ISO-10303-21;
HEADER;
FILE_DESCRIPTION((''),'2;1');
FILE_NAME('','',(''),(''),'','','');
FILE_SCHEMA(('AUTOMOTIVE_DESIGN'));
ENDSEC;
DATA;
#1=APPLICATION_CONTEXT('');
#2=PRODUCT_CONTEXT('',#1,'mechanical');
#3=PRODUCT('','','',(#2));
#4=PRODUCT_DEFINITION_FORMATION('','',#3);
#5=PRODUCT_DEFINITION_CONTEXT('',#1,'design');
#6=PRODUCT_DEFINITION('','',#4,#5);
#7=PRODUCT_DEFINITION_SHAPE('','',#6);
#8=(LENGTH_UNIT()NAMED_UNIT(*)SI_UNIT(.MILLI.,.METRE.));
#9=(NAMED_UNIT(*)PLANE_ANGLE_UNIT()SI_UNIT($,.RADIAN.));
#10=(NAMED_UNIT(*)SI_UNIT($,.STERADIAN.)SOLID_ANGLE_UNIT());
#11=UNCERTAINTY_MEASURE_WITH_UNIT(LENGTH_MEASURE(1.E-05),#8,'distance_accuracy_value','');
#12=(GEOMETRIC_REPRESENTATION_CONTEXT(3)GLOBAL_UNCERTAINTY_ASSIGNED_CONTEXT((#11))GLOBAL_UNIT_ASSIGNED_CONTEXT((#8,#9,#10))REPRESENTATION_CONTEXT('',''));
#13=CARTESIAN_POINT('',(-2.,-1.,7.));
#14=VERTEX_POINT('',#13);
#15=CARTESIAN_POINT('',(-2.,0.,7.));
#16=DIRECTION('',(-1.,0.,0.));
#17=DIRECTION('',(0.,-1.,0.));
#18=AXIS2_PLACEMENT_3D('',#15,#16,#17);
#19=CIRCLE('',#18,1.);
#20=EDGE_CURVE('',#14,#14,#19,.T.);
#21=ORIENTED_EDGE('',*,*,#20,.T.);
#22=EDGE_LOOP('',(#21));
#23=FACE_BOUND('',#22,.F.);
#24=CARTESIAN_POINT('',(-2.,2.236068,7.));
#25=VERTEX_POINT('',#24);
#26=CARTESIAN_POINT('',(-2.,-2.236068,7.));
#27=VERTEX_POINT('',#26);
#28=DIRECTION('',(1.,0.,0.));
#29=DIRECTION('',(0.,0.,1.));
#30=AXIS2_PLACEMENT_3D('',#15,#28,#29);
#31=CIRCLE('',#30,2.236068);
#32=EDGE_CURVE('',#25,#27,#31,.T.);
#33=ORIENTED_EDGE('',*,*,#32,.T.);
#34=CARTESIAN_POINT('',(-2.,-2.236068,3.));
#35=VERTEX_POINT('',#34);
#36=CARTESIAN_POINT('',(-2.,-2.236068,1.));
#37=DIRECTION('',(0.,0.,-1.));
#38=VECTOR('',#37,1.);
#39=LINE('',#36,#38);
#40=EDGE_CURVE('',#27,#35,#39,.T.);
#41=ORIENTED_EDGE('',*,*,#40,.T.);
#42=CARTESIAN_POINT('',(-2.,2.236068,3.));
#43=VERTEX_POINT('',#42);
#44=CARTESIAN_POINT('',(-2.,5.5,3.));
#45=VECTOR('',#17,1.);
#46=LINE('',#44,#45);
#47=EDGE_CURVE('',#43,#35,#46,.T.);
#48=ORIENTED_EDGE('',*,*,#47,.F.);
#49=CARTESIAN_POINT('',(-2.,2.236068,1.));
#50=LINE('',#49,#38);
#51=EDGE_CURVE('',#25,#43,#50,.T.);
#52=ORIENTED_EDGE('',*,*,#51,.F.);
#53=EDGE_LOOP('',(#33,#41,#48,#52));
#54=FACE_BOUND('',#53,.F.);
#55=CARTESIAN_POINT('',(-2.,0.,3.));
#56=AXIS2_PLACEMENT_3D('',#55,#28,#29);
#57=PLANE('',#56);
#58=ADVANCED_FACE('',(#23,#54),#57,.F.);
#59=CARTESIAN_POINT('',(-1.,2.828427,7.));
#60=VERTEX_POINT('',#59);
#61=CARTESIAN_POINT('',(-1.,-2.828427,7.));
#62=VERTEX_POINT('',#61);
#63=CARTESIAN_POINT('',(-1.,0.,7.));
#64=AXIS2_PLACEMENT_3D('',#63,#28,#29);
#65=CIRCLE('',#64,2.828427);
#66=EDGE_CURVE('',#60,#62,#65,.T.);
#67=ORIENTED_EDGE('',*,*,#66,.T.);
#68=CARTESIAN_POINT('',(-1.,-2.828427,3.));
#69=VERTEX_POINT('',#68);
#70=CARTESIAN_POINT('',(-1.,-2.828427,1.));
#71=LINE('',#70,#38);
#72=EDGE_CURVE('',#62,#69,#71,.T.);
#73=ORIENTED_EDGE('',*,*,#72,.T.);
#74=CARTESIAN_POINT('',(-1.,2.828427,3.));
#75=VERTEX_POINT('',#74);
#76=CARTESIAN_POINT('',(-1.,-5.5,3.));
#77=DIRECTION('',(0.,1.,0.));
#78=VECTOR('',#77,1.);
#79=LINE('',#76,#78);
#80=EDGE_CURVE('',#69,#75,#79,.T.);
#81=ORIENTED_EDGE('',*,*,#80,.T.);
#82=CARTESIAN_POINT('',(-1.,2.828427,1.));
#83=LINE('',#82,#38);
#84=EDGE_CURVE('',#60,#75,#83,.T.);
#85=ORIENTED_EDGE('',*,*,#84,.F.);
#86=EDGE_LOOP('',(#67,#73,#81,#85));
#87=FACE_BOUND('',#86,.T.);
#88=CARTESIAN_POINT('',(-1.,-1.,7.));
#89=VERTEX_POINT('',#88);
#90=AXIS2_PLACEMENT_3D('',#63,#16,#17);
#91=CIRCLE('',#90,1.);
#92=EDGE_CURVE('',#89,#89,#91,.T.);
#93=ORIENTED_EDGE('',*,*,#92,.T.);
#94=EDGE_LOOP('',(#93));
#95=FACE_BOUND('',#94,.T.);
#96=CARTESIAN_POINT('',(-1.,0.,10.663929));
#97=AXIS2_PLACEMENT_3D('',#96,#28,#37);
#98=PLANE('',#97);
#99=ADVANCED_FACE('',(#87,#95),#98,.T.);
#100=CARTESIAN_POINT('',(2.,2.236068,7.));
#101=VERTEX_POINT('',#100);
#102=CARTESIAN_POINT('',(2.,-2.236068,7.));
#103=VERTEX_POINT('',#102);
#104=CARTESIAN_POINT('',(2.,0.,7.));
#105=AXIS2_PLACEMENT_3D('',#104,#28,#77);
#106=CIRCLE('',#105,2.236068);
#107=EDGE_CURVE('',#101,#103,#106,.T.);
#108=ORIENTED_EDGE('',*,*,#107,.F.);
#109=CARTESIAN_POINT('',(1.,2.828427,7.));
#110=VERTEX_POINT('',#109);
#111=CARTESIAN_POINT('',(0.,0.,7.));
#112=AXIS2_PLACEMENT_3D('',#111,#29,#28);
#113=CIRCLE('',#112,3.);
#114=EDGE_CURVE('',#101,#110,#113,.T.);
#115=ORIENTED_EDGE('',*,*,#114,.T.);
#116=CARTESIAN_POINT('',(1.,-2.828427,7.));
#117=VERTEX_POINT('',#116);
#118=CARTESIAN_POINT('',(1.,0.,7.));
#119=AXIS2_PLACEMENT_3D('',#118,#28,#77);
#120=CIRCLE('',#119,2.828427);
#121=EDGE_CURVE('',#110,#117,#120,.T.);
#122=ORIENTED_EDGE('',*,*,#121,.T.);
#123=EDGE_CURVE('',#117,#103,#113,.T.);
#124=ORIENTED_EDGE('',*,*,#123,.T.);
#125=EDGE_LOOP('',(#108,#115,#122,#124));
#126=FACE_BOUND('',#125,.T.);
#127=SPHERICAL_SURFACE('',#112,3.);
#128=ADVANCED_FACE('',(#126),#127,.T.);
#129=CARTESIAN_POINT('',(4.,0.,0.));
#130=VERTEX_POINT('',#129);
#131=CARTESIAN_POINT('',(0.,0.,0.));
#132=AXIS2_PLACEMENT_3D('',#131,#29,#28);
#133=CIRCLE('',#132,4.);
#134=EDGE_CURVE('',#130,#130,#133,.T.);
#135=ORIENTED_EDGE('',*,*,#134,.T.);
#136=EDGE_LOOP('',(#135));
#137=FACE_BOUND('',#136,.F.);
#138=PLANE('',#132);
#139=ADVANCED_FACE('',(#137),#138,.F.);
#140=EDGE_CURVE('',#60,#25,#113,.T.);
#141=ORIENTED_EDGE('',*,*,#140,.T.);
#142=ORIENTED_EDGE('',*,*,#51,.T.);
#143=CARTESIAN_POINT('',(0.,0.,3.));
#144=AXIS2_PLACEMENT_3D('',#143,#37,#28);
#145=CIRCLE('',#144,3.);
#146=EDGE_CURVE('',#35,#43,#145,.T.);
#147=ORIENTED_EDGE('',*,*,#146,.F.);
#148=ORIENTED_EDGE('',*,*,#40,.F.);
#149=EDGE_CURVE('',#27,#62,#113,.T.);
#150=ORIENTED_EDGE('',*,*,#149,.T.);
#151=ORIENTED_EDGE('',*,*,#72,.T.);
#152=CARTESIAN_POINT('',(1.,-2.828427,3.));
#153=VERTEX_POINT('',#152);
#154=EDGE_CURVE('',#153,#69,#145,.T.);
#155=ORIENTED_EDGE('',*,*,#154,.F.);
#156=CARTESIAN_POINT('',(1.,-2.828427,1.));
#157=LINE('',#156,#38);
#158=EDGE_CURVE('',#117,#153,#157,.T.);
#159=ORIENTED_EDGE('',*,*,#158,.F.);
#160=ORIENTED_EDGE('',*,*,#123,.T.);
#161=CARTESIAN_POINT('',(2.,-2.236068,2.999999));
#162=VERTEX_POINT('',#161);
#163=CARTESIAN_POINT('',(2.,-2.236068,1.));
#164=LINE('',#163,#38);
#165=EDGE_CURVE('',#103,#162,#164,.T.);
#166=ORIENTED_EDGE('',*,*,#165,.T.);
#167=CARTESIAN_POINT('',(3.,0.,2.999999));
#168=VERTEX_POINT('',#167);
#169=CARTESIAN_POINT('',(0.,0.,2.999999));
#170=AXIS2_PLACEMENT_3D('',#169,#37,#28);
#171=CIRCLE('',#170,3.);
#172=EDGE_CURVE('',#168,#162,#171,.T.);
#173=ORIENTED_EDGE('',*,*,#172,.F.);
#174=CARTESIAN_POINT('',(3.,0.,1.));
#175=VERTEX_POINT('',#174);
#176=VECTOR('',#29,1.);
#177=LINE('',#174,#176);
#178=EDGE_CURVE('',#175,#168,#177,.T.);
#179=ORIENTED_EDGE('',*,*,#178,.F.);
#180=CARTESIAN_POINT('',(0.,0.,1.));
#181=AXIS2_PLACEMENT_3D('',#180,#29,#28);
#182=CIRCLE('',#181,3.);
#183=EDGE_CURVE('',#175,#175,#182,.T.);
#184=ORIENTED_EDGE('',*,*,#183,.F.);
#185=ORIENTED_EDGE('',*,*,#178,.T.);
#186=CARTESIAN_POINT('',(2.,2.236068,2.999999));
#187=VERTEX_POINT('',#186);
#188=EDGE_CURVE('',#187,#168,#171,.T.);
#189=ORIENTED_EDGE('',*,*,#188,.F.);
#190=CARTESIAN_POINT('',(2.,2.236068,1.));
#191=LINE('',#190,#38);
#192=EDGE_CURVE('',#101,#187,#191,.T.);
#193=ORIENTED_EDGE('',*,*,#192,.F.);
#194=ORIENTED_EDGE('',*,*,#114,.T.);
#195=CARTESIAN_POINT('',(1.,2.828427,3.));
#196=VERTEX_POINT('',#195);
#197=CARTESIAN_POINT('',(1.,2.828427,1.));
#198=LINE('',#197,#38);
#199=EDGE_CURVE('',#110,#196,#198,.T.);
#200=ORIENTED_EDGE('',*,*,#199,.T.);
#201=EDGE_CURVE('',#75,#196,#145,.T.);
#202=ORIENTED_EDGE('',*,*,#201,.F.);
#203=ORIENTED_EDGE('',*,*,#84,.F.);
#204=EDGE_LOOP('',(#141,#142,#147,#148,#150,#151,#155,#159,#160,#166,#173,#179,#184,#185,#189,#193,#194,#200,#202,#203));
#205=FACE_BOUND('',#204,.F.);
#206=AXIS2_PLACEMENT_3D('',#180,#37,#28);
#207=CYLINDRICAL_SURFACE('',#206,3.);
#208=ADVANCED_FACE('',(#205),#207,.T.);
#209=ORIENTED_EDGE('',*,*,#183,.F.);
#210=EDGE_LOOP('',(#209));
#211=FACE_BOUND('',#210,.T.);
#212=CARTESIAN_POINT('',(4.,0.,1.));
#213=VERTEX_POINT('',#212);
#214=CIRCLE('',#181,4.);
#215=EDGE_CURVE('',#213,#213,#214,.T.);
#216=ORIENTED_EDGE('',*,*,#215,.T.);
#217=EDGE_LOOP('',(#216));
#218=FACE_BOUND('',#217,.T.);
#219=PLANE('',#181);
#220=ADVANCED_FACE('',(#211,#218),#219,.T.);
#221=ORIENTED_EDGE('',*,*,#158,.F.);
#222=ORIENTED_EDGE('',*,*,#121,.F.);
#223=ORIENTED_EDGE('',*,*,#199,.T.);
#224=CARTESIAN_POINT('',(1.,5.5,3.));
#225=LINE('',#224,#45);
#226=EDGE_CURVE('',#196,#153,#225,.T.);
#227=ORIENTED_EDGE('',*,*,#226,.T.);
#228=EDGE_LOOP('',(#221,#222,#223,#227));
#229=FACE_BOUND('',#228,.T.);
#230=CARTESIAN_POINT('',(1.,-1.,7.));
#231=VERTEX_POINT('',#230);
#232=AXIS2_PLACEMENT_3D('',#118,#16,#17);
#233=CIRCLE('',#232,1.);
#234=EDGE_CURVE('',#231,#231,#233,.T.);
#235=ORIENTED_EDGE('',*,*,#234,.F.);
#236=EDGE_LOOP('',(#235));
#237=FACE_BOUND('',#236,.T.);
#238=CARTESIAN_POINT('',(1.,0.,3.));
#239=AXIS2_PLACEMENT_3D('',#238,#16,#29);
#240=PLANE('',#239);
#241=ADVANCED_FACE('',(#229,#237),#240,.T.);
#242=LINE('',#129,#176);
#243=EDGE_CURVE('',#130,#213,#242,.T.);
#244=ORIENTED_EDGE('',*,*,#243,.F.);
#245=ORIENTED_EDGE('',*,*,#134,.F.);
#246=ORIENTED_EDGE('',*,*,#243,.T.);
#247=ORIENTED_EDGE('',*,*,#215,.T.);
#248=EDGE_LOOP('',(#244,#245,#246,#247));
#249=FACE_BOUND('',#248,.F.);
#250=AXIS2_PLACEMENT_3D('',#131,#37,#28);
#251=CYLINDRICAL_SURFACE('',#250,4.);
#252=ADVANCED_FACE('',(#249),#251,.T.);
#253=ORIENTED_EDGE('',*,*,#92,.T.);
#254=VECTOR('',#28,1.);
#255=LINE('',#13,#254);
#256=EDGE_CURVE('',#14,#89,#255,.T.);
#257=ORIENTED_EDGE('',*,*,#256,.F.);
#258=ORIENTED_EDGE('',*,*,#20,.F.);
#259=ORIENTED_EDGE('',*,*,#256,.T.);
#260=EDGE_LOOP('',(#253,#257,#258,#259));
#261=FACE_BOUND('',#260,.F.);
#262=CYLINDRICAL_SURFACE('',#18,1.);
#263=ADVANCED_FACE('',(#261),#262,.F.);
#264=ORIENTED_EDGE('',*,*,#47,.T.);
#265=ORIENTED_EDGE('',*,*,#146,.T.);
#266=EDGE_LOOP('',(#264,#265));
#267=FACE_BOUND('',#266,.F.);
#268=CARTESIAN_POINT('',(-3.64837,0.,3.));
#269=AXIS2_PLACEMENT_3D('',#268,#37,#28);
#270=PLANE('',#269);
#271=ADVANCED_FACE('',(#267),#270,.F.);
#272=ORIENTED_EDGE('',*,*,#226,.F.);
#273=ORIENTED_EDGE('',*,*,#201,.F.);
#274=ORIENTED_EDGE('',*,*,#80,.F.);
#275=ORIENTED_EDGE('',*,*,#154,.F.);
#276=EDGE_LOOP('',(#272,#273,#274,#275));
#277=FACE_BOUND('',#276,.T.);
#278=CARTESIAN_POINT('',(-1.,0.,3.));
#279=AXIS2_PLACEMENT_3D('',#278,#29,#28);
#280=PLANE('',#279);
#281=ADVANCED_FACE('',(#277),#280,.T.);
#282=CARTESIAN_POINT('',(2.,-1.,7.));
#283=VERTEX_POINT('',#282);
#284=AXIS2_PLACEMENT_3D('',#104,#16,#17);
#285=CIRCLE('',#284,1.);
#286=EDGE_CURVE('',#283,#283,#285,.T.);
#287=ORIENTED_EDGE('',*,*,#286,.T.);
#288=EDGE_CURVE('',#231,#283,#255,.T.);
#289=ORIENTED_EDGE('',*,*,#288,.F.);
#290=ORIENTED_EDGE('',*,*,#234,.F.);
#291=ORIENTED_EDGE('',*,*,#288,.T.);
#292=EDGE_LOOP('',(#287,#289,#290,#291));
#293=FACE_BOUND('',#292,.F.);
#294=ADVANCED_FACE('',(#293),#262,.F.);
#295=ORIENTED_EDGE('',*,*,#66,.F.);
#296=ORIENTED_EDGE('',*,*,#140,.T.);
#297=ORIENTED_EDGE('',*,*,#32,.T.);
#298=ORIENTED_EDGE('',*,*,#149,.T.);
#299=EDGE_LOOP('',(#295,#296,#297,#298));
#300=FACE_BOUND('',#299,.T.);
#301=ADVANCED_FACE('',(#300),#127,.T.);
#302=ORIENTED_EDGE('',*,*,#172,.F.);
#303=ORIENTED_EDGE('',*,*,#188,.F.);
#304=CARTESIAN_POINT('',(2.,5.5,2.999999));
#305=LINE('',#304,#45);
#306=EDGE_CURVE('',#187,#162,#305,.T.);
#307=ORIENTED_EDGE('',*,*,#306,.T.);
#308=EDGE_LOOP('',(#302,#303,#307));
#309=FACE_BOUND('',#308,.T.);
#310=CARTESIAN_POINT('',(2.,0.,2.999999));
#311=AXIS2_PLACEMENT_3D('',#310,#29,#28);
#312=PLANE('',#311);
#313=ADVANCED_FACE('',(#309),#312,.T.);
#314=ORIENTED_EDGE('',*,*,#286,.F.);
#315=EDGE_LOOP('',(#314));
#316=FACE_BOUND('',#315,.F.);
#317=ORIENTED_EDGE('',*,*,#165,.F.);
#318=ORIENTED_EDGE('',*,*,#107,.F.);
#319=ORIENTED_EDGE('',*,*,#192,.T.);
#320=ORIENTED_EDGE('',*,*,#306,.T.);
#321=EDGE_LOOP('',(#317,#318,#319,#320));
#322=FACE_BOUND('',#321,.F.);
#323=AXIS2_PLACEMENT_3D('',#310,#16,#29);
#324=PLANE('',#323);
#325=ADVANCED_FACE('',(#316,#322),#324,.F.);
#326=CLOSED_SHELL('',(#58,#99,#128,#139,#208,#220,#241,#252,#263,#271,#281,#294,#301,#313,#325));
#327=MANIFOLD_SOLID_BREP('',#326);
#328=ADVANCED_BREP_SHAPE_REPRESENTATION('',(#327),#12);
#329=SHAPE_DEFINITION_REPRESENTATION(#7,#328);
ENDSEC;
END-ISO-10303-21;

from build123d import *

# Parameters (mm, degrees)
F0_R     = 4
F1_DEPTH = 1
F2_R     = 3
F3_DEPTH = 9
F4_R     = 3
F5_W     = 1.553406
F5_H     = 7.626691
F5_W_2   = 1.64837
F5_H_2   = 7.70761
F6_DEPTH = 5.5
F7_R     = 1
F8_DEPTH = 25


with BuildPart() as f1:
    # F0 (on Top) → F1 (new body)
    with BuildSketch(Plane.XY):
        Circle(F0_R)
    extrude(amount=F1_DEPTH)

    # F2 (on face) → F3 (join)
    with BuildSketch(Plane.XY.offset(1)):
        Circle(F2_R)
    extrude(amount=F3_DEPTH)

    # F4
    f4_edges = [f1.edges().sort_by_distance(p)[0] for p in [
        (-3, 0, 10),
    ]]
    fillet(f4_edges, radius=F4_R)

    # F5 (on Front) → F6 (cut, symmetric)
    with BuildSketch(Plane.XZ):
        Polygon((-1, 3), (0, 3), (1, 3), (1, 10.663929), (-1, 10.663929), align=None)
        with Locations((2.776703, 6.813345)):
            Rectangle(F5_W, F5_H)
        with Locations((-2.824185, 6.853805)):
            Rectangle(F5_W_2, F5_H_2)
    extrude(amount=F6_DEPTH, both=True, mode=Mode.SUBTRACT)

    # F7 (on face) → F8 (cut)
    with BuildSketch(Plane(origin=(-2, 0, 0), x_dir=(0, -1, 0), z_dir=(-1, 0, 0))):
        with Locations((0, 7)):
            Circle(F7_R)
    extrude(amount=-F8_DEPTH, mode=Mode.SUBTRACT)


solid = f1.part
